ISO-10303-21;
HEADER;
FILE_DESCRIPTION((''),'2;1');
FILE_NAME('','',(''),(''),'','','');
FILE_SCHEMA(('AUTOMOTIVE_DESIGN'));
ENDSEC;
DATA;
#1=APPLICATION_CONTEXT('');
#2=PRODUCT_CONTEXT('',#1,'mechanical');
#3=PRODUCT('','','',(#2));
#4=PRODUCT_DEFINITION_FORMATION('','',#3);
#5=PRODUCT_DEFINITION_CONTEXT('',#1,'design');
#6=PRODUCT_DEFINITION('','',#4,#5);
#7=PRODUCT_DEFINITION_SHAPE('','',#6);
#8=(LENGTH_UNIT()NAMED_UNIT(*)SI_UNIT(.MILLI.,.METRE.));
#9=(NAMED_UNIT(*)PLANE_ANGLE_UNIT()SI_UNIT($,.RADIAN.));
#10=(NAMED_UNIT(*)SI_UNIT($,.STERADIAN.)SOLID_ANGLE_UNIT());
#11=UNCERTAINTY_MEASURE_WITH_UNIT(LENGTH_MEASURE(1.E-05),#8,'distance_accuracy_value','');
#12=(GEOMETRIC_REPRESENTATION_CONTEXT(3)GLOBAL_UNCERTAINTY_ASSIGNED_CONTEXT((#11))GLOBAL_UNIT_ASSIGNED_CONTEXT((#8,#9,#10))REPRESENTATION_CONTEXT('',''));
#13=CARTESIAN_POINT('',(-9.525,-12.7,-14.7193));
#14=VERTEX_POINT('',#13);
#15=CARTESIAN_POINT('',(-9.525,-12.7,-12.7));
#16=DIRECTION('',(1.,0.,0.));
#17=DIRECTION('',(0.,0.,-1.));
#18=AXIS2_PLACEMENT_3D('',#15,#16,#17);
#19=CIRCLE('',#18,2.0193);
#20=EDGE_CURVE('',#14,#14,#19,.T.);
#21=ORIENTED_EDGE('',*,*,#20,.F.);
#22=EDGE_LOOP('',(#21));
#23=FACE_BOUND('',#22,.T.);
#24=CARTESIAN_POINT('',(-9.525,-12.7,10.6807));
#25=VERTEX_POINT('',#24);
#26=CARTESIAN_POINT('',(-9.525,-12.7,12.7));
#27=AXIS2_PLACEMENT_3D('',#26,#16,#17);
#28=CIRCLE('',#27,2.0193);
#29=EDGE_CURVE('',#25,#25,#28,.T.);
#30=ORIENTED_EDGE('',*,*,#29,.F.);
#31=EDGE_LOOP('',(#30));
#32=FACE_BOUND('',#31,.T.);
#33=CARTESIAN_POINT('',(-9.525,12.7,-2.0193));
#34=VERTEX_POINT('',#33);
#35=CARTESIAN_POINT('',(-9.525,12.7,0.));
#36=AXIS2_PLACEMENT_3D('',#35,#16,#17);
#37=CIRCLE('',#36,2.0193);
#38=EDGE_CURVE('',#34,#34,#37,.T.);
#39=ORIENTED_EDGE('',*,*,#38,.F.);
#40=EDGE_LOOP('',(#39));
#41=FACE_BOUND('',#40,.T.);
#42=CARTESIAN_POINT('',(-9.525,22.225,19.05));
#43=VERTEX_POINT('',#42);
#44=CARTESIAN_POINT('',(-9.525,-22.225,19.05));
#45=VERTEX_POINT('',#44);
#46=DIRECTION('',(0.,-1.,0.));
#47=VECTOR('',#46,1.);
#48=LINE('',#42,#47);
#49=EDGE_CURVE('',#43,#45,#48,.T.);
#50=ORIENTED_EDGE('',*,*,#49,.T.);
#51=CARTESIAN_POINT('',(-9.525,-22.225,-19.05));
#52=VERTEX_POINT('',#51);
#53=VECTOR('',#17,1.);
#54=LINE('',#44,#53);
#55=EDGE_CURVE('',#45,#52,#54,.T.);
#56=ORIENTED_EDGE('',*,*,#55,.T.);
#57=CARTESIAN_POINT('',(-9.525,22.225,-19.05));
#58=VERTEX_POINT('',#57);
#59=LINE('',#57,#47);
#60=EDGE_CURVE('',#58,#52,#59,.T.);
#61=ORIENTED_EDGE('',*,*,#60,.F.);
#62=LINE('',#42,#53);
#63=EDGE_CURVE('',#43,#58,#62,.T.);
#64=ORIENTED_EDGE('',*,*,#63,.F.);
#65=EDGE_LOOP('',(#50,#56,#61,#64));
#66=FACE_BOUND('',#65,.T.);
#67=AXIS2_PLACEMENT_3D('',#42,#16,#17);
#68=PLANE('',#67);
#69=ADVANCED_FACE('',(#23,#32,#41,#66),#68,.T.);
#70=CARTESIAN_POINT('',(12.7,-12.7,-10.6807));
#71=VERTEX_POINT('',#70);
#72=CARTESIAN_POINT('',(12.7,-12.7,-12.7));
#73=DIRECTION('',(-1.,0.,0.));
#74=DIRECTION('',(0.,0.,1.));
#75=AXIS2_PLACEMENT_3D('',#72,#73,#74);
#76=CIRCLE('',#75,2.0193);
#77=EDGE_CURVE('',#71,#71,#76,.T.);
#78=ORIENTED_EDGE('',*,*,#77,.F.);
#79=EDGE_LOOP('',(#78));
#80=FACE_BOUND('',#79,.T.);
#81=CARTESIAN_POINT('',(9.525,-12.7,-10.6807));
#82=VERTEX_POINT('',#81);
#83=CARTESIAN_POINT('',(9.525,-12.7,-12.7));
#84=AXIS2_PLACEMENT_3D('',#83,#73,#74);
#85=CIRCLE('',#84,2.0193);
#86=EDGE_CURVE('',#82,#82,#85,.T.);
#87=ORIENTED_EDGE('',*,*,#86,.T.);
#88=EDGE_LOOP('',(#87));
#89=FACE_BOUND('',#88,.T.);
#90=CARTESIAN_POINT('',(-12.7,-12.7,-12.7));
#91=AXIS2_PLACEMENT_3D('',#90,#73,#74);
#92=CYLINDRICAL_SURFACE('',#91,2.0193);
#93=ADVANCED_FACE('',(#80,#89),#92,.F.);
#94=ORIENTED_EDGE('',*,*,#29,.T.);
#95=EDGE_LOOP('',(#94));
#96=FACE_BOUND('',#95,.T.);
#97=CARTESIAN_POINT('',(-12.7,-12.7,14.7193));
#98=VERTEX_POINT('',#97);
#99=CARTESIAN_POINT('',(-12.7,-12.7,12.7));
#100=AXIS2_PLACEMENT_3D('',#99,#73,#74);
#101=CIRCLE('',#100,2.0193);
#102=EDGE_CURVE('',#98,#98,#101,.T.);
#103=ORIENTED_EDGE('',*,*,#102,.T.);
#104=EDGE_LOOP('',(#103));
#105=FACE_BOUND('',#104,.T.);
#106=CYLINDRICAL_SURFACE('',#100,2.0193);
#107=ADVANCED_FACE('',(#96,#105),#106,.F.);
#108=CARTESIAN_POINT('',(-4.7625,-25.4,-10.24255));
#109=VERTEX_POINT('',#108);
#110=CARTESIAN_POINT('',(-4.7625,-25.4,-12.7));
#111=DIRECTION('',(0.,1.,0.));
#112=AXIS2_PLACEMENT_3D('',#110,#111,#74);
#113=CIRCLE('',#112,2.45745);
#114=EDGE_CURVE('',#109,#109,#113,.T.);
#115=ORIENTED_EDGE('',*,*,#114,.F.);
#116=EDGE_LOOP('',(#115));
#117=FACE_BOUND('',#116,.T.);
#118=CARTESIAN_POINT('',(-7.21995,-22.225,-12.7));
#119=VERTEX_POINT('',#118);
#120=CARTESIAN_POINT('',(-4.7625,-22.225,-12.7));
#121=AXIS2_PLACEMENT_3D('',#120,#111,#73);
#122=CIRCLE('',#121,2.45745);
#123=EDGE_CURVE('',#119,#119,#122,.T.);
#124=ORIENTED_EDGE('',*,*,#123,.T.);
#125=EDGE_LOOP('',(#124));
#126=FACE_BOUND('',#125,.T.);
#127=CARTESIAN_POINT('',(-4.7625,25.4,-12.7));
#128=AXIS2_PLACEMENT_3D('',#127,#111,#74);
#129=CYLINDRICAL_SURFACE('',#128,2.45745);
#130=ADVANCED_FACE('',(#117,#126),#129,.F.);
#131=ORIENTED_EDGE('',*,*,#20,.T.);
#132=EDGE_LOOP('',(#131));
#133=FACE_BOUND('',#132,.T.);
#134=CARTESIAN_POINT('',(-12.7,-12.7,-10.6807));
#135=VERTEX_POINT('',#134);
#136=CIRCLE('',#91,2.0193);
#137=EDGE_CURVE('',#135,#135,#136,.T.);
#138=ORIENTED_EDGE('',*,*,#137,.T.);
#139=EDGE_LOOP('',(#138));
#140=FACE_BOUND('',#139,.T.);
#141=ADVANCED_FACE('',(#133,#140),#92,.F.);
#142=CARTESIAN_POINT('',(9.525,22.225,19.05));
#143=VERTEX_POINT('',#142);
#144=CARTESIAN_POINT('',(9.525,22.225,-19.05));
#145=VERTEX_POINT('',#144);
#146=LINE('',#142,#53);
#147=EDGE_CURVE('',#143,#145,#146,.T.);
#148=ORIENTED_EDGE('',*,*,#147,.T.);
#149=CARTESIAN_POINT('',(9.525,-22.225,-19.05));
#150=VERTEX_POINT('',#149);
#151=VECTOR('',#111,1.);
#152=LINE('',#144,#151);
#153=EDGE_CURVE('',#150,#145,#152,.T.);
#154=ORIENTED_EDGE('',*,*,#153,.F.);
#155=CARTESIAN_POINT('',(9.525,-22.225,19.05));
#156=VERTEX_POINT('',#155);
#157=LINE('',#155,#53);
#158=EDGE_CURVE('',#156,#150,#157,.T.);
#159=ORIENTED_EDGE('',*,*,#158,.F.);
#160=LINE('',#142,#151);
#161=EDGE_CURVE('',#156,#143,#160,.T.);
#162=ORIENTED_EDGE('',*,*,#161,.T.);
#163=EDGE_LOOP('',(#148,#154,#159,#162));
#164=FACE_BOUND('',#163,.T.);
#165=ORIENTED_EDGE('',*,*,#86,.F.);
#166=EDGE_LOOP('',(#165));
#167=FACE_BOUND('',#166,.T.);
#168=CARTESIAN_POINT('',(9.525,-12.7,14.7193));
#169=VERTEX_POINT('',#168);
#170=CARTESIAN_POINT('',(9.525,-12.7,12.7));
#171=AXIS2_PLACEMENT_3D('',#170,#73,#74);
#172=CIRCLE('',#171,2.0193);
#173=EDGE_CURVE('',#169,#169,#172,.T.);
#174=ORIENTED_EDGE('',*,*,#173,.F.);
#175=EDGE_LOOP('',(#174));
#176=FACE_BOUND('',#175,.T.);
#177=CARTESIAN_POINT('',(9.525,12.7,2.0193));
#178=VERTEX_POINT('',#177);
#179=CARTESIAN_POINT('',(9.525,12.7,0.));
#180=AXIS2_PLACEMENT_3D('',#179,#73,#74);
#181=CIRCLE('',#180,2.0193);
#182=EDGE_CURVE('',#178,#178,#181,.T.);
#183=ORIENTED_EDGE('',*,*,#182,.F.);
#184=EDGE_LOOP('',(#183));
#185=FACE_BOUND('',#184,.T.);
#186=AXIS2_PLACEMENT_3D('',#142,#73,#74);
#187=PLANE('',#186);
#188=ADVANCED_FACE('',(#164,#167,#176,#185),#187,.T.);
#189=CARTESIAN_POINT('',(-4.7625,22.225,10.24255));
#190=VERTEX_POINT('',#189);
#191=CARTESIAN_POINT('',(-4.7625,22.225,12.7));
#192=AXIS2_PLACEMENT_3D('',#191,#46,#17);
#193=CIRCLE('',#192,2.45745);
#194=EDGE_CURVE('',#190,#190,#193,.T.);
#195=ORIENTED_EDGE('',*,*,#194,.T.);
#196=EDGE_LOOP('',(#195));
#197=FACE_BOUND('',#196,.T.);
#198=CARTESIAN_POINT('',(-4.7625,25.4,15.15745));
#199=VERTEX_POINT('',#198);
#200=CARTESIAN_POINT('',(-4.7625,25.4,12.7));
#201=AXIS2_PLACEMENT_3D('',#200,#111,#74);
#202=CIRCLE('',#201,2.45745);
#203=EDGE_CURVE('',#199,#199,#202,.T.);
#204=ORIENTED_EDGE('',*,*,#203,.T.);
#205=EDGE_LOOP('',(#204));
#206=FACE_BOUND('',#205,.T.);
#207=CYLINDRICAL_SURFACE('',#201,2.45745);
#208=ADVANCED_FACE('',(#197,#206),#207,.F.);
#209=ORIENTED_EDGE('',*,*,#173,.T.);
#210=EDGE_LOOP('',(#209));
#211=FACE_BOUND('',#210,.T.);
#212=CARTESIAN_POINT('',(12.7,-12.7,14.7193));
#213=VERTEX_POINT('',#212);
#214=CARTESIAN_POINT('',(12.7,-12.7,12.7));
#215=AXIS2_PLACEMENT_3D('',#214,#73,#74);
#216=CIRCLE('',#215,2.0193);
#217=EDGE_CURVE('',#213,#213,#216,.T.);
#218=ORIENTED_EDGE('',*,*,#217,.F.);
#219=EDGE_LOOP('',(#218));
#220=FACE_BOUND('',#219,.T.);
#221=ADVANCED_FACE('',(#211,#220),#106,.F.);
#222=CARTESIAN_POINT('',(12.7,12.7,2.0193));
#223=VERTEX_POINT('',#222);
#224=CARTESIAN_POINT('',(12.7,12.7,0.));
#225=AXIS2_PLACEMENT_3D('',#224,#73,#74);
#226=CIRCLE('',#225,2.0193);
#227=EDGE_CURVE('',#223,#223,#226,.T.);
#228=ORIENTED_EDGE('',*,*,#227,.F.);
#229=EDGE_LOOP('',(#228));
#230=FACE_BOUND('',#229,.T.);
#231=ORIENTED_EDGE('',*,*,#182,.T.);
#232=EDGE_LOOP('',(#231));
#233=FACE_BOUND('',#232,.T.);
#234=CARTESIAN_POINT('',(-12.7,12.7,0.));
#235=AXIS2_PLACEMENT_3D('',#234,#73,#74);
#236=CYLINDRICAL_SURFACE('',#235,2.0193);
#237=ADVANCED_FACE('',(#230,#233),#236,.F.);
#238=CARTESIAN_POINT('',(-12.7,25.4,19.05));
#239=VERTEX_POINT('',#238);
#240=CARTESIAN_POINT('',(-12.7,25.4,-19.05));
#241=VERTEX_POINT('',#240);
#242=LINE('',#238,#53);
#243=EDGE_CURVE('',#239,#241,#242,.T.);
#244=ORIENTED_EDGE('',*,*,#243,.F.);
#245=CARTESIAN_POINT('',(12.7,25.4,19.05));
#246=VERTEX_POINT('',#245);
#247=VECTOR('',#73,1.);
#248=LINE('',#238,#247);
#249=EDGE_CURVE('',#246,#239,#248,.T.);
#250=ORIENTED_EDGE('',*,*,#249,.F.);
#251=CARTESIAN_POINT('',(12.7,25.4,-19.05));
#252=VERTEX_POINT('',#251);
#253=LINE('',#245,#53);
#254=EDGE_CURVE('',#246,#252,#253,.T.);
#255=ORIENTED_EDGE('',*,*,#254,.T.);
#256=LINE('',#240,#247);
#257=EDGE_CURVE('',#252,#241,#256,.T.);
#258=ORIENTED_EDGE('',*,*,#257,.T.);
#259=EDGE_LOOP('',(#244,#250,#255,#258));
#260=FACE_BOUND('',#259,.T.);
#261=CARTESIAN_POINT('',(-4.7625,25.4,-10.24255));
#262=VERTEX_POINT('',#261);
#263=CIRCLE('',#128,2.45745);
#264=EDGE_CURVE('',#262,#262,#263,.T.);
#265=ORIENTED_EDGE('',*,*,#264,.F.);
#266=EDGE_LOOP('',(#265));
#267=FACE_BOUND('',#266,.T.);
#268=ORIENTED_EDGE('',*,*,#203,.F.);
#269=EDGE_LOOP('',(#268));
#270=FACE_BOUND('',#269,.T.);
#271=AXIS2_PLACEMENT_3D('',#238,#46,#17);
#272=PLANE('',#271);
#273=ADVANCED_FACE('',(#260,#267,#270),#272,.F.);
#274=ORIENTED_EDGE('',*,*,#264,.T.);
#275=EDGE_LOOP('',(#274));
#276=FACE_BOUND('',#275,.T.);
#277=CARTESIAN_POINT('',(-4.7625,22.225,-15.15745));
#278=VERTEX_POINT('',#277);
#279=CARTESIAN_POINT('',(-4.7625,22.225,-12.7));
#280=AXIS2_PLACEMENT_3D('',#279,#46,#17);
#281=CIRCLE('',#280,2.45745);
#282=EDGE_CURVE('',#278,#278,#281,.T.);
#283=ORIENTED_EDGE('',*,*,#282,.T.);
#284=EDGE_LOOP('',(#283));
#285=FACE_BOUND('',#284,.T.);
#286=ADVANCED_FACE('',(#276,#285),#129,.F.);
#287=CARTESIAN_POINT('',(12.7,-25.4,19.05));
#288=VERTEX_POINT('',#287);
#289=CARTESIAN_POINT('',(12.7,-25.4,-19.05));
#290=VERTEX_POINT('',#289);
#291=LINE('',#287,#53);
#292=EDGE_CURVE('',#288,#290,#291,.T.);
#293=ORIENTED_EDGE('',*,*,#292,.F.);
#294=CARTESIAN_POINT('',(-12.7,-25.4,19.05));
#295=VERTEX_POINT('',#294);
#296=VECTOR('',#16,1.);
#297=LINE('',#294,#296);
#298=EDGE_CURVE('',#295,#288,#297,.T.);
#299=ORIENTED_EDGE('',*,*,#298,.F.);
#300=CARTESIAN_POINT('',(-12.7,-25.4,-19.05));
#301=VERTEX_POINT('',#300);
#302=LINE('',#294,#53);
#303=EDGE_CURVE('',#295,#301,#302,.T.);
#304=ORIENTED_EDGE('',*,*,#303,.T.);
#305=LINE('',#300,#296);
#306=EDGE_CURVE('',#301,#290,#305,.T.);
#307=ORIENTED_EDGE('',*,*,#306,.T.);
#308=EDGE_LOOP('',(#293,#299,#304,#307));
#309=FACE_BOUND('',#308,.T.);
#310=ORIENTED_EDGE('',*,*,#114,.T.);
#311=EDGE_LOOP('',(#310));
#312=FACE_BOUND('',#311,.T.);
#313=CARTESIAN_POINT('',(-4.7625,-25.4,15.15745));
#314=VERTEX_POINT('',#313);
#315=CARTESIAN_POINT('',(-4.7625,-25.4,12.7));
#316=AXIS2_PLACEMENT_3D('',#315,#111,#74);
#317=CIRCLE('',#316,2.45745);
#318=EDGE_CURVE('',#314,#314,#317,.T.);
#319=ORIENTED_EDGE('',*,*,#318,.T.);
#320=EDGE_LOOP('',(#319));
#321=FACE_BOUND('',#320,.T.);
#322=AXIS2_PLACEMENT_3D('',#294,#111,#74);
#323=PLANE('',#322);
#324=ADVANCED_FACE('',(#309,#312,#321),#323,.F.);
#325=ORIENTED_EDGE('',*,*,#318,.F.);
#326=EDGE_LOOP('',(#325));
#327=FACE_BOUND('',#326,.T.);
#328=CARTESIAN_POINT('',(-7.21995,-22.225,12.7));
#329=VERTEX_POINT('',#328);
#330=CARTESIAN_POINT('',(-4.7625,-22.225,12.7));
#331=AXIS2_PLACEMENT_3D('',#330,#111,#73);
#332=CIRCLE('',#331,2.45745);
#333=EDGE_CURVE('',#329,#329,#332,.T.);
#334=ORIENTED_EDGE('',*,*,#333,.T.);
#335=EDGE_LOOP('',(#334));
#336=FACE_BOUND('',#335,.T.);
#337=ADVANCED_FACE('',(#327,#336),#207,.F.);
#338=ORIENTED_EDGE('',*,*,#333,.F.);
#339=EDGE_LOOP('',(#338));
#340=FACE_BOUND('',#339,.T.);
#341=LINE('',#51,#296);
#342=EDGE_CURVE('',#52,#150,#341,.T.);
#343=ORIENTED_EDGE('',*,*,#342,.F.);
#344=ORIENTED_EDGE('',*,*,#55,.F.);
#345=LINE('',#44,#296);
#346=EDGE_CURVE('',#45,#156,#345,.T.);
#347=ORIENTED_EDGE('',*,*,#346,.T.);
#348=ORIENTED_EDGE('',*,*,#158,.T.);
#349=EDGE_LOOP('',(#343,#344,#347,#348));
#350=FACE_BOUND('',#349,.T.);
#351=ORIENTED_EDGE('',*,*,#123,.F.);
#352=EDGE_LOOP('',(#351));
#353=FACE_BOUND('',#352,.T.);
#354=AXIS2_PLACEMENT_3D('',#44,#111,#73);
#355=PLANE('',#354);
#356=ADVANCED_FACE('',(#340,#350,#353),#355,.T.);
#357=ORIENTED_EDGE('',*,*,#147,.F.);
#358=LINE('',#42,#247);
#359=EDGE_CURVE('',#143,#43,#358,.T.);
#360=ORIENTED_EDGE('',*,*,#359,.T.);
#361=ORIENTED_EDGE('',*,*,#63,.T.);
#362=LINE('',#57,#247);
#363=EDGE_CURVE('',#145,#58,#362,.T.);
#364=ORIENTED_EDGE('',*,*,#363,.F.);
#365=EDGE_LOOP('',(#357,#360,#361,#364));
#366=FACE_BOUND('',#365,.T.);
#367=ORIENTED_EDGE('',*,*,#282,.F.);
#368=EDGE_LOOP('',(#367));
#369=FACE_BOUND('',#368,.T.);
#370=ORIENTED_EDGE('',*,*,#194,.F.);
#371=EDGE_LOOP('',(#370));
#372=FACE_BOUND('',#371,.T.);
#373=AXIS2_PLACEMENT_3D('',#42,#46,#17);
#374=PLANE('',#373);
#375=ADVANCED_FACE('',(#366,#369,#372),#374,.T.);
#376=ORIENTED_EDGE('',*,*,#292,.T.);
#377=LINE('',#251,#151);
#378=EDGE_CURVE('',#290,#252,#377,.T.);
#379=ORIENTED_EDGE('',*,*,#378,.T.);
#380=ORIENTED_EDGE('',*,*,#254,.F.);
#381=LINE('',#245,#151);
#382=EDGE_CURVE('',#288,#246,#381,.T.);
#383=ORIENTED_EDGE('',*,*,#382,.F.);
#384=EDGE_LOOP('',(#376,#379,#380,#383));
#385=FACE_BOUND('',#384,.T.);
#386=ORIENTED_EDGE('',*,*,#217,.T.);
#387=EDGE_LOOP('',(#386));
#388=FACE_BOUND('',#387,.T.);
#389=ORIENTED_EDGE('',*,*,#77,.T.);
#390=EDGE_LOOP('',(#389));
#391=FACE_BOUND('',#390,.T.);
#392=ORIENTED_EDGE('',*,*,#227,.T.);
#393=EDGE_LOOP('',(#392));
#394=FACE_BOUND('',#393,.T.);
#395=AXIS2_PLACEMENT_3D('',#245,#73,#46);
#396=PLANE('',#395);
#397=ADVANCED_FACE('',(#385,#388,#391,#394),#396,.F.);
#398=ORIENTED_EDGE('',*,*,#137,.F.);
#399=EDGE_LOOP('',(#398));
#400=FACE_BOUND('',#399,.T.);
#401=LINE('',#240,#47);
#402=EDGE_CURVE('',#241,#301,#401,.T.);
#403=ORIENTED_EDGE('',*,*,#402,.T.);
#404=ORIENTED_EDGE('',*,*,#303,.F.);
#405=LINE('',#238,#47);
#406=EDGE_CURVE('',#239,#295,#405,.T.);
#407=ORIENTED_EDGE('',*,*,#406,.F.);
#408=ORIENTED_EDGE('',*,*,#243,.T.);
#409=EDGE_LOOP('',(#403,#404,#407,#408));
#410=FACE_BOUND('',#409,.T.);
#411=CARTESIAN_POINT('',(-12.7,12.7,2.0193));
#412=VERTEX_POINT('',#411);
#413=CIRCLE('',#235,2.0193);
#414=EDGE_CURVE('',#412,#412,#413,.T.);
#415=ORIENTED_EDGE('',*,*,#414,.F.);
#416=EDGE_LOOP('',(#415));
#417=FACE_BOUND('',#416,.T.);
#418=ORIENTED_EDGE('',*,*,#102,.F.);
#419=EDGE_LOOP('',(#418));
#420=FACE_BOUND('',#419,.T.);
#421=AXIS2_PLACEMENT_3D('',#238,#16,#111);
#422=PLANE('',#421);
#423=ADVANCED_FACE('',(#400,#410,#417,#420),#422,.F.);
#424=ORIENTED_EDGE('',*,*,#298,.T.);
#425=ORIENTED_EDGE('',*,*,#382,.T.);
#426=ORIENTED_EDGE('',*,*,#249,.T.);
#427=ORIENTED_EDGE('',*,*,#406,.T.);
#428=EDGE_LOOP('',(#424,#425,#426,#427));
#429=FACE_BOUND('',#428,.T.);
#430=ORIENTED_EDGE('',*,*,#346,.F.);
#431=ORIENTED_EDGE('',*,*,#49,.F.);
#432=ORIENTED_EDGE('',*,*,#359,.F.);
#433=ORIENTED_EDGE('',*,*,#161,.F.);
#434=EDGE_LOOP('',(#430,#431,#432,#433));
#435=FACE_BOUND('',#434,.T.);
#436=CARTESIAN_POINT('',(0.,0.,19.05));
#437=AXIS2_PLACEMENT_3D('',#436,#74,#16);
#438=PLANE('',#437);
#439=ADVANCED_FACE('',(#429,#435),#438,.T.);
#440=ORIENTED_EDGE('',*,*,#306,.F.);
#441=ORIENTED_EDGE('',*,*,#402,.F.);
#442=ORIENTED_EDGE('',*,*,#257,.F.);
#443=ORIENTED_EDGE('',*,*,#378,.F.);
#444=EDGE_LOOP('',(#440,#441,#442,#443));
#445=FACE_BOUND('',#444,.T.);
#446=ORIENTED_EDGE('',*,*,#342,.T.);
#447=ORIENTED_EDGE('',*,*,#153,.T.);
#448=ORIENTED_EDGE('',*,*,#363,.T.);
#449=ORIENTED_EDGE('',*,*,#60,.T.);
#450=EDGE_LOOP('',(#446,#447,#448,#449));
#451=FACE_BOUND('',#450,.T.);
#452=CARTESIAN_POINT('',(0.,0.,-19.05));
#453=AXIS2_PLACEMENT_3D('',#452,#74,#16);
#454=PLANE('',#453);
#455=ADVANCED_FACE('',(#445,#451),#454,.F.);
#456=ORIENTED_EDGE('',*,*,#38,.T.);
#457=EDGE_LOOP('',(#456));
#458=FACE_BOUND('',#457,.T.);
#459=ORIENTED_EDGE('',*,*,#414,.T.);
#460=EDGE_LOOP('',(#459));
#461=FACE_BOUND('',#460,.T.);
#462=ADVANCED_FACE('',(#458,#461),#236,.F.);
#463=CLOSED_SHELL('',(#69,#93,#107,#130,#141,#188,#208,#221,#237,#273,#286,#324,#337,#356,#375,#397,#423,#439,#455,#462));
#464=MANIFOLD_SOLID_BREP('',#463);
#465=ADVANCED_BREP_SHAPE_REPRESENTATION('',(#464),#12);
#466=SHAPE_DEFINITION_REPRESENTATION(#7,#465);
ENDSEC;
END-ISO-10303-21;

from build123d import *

# Parameters (mm, degrees)
SKETCH1_W                    = 25.4
SKETCH1_H                    = 50.8
SKETCH1_W_2                  = 19.05
SKETCH1_H_2                  = 44.45
BOSS_EXTRUDE1_DEPTH          = 19.05
F_10_0_1935_DIAMETER_HOLE1_D = 4.9149
F_10_32_TAPPED_HOLE1_D       = 4.0386


with BuildPart() as part:
    # Sketch1 → Boss-Extrude1 (new, symmetric)
    with BuildSketch(Plane.XY):
        Rectangle(SKETCH1_W, SKETCH1_H)
        Rectangle(SKETCH1_W_2, SKETCH1_H_2, mode=Mode.SUBTRACT)
    extrude(amount=BOSS_EXTRUDE1_DEPTH, both=True)

    # #10 (0.1935) Diameter Hole1 (through all)
    with Locations(Plane(origin=(0, 25.4, 0), x_dir=(1, 0, 0), z_dir=(0, 1, 0))):
        with Locations((-4.7625, -12.7), (-4.7625, 12.7)):
            Hole(F_10_0_1935_DIAMETER_HOLE1_D / 2)

    # #10-32 Tapped Hole1 (through all)
    with Locations(Plane.ZY.offset(12.7)):
        with Locations((-12.7, -12.7), (12.7, -12.7), (0, 12.7)):
            Hole(F_10_32_TAPPED_HOLE1_D / 2)


solid = part.part
